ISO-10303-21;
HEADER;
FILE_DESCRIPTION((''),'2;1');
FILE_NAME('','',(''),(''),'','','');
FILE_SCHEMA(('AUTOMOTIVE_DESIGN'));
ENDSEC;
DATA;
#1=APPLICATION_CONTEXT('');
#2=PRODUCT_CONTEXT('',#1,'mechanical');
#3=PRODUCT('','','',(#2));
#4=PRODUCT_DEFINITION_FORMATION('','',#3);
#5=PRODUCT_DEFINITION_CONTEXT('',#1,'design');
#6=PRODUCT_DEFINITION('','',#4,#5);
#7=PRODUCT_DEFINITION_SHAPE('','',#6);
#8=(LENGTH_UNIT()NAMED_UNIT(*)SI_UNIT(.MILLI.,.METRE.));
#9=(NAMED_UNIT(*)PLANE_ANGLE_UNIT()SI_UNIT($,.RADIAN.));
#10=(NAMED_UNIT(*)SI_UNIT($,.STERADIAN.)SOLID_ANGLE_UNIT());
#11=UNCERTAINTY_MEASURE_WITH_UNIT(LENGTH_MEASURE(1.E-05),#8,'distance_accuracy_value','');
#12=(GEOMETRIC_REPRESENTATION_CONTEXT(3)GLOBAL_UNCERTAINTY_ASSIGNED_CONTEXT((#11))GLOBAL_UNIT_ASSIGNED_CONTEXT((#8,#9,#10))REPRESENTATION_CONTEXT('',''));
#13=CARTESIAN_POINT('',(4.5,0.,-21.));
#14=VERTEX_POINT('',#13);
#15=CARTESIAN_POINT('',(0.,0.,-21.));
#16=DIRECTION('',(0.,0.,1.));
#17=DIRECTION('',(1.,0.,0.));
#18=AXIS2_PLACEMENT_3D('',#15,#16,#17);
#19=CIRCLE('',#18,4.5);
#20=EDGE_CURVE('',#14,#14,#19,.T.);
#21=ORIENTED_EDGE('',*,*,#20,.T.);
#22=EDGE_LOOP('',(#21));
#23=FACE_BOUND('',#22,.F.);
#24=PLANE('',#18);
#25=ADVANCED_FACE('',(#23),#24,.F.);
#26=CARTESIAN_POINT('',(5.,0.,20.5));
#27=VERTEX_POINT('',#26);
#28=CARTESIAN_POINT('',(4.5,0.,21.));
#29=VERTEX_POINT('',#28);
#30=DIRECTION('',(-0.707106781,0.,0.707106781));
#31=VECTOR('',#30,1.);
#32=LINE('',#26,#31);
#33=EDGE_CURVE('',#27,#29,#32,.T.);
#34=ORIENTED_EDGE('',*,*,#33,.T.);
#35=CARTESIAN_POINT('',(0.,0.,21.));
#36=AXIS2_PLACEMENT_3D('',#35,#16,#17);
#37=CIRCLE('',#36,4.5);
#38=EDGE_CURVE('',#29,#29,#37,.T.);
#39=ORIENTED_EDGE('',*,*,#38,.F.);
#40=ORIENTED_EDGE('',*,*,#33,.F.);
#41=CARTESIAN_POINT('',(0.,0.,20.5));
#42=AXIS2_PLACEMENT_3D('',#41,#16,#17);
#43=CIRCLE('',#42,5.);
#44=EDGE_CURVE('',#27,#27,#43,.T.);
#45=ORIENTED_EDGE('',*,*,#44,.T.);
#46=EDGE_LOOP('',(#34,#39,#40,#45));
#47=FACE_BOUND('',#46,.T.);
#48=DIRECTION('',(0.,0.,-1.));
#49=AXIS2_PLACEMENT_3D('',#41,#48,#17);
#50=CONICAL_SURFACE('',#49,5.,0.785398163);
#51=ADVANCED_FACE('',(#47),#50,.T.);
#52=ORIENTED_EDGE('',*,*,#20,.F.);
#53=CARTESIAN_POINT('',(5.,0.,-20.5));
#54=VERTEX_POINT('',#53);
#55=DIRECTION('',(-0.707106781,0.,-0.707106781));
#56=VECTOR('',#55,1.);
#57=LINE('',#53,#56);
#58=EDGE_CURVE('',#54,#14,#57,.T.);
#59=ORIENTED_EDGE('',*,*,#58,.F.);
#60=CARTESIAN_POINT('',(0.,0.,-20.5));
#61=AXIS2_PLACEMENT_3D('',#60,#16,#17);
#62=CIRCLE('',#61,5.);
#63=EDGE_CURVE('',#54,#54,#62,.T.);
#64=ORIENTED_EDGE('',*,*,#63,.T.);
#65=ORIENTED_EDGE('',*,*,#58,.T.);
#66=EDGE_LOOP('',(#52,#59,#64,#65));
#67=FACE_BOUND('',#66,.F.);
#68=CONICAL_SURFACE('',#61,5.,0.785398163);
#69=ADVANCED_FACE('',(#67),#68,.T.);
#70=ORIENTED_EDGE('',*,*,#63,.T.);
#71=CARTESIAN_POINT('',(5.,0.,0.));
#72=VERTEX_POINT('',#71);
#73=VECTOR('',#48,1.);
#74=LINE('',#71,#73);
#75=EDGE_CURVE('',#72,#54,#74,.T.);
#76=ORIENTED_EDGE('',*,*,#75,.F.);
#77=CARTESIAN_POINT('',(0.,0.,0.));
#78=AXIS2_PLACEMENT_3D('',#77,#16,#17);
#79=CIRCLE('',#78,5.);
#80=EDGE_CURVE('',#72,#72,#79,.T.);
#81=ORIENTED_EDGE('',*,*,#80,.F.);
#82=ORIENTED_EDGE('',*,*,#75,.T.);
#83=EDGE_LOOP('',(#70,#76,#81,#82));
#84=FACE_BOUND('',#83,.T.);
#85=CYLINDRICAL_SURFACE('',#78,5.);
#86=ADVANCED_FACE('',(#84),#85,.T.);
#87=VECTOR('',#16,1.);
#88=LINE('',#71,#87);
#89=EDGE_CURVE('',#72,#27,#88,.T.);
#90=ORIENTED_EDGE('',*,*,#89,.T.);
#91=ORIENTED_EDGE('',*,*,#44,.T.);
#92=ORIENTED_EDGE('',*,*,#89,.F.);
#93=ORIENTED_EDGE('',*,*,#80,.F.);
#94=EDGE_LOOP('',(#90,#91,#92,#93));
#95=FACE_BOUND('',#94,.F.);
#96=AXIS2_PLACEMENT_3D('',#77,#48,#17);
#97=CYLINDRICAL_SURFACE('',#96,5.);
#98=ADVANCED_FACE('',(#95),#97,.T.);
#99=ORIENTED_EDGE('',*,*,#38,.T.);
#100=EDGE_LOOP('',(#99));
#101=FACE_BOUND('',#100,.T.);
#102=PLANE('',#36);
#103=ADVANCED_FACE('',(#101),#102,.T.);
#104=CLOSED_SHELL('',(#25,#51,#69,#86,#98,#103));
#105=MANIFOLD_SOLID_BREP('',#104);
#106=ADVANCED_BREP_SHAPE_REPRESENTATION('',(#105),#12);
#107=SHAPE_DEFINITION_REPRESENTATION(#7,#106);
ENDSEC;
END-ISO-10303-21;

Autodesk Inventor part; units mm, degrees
ref_plane "YZ Plane" through (0, 0, 0) normal (1, 0, 0) x (0, 1, 0)
ref_plane "XZ Plane" through (0, 0, 0) normal (0, 1, 0) x (-1, 0, 0)
ref_plane "XY Plane" through (0, 0, 0) normal (0, 0, 1) x (1, 0, 0)
sketch "Schizzo1" plane through (0, 0, 0) normal (0, 0, 1) x (1, 0, 0)
  circle A0 centre (0, 0) radius 5
  dimension "d0" = 10
extrude "Estrusione1" add sketch "Schizzo1" along normal mid plane 42
chamfer "Smusso1" distance 0.5 angle 45 2 edges at (-5, 0, 21) (-5, 0, -21)
properties part number "Perno forcella" material "Acciaio inossidabile"
